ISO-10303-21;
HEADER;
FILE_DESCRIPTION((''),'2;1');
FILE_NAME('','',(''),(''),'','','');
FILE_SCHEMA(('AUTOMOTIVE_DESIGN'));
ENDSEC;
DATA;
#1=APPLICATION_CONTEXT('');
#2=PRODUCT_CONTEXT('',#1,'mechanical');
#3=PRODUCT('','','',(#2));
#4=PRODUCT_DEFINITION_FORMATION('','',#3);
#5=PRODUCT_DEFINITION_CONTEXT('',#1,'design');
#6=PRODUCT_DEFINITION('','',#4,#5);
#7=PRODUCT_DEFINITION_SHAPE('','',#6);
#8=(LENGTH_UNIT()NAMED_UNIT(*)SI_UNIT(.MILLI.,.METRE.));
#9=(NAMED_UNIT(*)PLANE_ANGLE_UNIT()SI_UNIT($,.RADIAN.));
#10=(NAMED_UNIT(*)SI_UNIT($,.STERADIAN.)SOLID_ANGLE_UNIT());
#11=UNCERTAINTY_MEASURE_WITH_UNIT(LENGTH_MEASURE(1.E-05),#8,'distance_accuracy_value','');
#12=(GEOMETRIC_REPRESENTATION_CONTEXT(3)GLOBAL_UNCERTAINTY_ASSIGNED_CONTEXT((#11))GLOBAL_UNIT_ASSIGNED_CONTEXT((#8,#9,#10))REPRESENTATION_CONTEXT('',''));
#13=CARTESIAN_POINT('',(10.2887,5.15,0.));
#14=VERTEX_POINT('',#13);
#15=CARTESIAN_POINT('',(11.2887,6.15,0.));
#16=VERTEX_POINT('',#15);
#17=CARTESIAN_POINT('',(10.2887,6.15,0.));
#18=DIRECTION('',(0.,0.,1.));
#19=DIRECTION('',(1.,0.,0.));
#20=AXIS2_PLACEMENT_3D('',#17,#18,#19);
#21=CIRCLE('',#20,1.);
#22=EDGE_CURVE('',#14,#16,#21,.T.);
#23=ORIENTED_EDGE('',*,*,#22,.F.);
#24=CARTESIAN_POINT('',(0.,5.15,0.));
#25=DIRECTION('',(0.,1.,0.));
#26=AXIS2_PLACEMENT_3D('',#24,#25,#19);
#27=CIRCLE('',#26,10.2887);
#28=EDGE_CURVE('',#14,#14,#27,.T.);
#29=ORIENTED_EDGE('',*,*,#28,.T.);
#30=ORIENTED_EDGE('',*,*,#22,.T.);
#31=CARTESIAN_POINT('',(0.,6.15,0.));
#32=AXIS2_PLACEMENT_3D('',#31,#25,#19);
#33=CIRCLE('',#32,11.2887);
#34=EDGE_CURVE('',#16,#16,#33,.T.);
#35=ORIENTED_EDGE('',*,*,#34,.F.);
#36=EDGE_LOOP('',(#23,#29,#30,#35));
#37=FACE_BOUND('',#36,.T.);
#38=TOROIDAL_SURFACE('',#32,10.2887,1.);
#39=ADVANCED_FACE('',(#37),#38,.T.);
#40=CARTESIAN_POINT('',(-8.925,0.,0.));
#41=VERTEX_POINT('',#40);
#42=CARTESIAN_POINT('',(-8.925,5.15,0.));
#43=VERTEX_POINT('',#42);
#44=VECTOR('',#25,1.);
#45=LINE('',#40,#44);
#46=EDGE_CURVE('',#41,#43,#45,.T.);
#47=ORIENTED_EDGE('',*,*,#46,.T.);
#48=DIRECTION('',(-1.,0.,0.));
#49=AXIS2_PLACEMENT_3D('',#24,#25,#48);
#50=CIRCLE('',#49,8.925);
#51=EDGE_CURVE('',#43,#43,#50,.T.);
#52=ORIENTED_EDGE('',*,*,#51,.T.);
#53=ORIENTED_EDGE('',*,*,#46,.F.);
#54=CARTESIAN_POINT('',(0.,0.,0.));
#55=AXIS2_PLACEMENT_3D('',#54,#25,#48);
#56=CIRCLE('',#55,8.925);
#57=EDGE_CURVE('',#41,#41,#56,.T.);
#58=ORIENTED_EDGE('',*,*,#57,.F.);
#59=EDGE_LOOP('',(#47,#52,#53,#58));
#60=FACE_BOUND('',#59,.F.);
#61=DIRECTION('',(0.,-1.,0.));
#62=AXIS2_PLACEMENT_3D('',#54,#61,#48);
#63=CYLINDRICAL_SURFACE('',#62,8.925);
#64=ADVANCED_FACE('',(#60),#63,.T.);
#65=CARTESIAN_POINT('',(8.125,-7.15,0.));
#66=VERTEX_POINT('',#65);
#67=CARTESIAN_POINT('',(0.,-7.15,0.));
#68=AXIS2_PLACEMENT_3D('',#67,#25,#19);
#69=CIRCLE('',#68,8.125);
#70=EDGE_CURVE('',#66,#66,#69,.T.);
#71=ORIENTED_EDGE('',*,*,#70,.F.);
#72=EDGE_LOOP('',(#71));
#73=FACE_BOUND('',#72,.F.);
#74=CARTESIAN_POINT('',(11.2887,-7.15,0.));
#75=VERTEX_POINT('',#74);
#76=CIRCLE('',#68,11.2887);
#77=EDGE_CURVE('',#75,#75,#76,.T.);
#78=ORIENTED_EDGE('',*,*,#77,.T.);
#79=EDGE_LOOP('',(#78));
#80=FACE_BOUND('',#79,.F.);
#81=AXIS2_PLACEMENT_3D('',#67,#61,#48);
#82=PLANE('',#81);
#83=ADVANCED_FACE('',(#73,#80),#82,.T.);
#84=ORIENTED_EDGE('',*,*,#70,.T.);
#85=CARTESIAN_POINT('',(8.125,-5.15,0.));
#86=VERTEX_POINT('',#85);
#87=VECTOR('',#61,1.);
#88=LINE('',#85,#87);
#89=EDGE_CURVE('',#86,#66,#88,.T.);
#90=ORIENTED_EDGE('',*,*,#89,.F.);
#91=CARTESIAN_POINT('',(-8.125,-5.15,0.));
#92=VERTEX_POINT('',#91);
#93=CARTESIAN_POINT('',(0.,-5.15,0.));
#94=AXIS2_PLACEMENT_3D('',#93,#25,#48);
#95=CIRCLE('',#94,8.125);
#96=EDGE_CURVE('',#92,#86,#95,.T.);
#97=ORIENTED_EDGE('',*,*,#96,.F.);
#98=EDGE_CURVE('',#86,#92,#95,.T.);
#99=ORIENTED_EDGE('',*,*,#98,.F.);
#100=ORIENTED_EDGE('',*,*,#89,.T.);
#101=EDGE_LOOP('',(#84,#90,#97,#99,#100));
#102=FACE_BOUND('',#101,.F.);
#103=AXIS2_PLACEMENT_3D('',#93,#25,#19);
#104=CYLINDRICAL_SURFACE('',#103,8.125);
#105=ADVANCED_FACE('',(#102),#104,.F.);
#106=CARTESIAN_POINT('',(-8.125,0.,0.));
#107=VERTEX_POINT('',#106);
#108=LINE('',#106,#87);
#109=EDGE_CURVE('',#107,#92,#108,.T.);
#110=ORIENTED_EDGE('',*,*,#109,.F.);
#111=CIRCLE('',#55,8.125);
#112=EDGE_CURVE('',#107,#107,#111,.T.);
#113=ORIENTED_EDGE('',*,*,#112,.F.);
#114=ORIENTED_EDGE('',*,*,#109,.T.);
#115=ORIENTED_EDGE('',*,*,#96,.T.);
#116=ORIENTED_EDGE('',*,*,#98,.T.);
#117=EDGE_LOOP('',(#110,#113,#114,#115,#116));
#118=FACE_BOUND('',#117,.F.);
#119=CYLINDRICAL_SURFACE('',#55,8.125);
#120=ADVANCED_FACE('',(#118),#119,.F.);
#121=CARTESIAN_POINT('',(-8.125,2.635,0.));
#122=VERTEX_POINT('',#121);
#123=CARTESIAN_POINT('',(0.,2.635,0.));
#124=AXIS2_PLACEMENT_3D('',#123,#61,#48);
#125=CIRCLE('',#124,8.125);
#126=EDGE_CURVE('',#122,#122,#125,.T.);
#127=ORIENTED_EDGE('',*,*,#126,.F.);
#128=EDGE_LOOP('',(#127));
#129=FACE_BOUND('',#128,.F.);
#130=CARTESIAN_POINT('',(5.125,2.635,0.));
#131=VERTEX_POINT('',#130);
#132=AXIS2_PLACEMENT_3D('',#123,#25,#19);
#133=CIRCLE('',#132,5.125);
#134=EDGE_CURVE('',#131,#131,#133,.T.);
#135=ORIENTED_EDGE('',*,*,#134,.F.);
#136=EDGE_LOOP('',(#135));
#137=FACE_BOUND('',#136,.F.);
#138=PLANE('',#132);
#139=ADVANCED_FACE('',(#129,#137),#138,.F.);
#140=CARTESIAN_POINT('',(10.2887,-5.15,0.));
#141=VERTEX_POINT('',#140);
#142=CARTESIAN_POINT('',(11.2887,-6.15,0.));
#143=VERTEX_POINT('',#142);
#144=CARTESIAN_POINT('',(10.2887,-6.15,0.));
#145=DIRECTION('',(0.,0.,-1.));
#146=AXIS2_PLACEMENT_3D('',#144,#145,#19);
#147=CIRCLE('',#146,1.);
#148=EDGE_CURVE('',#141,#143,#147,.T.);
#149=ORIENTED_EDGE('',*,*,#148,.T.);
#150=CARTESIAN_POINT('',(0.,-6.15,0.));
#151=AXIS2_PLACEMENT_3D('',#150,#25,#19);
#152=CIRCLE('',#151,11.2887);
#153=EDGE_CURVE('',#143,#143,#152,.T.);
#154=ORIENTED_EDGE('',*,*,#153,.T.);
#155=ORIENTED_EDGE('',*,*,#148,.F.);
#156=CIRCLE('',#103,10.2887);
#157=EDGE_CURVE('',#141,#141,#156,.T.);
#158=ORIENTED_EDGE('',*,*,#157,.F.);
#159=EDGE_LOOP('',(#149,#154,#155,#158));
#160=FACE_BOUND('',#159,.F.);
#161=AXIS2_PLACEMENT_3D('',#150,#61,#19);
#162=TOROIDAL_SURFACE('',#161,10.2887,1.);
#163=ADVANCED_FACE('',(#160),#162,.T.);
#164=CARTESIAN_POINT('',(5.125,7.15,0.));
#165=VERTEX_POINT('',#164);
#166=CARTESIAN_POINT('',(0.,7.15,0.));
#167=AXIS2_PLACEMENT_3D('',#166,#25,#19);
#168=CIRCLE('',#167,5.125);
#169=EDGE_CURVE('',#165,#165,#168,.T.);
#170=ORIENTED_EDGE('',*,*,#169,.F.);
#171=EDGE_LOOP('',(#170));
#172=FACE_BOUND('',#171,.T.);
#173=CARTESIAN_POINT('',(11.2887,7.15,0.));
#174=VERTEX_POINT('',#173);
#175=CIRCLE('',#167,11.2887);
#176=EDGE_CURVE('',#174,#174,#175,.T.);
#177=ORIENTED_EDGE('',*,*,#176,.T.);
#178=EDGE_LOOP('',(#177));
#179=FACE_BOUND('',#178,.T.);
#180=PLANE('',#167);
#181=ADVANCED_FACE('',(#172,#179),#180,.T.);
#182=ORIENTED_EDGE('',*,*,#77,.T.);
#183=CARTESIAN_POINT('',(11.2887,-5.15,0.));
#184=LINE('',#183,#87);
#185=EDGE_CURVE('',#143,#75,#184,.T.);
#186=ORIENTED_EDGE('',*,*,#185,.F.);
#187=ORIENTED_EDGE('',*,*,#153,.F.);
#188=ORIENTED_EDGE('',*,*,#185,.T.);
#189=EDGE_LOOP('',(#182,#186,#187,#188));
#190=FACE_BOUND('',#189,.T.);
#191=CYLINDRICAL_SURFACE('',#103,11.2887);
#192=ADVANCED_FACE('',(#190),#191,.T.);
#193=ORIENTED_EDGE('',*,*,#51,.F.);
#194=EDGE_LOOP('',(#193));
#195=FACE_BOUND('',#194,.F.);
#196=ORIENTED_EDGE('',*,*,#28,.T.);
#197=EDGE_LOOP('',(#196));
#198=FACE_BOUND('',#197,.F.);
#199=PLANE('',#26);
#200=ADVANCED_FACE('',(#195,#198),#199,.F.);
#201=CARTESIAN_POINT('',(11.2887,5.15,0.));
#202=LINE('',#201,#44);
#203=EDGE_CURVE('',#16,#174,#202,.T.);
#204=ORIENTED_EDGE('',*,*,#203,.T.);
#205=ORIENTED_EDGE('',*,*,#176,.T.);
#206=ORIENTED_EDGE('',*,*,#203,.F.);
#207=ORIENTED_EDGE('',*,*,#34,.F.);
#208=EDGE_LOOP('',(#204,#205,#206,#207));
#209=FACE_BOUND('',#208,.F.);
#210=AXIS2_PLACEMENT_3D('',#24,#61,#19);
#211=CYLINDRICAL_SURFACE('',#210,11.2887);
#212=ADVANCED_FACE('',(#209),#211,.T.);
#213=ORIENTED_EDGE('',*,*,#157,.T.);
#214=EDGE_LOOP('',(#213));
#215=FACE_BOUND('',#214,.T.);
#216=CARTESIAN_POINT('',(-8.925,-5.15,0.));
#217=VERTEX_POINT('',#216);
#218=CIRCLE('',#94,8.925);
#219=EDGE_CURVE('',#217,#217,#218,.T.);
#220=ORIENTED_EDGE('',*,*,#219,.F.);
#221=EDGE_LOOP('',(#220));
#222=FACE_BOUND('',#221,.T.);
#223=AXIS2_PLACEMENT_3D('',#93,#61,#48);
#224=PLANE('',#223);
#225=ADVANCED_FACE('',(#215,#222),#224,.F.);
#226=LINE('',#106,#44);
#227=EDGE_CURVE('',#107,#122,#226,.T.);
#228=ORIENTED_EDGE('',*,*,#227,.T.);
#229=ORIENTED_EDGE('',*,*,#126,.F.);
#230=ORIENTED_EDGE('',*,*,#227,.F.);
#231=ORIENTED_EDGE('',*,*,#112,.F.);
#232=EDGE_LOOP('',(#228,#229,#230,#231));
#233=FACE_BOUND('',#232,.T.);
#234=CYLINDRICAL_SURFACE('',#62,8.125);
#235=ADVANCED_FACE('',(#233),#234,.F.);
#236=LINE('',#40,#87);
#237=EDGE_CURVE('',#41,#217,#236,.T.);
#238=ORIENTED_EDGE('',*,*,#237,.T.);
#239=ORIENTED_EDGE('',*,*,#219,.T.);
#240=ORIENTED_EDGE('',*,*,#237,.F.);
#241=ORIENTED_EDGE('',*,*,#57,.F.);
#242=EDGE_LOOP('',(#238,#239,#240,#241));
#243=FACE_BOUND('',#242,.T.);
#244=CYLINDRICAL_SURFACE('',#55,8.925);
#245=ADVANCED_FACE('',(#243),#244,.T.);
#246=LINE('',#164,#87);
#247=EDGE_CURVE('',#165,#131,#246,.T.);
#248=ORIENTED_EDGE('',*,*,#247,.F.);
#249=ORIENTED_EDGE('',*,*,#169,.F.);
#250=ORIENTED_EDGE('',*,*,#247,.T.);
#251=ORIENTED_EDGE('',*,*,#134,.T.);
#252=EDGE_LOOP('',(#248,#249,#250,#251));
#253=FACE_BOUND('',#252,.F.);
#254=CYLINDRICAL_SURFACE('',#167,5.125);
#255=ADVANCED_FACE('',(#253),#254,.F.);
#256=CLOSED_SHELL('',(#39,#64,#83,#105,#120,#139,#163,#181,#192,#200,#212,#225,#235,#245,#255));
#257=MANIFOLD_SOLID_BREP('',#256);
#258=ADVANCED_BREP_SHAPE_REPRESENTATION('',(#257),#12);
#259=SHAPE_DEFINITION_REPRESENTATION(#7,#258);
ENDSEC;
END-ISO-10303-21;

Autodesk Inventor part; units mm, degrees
ref_plane "YZ Plane" through (0, 0, 0) normal (1, 0, 0) x (0, 1, 0)
ref_plane "XZ Plane" through (0, 0, 0) normal (0, 1, 0) x (-1, 0, 0)
ref_plane "XY Plane" through (0, 0, 0) normal (0, 0, 1) x (1, 0, 0)
sketch "Boceto1" plane through (0, 0, 0) normal (0, 1, 0) x (-1, 0, 0)
  circle A0 centre (0, 0) radius 8.125
  circle A1 centre (0, 0) radius 8.925
  dimension "d0" = 16.25
  dimension "d1" = 0.8
extrude "Extrusión1" add sketch "Boceto1" along normal mid plane 10.3
sketch "Boceto2" plane through (0, 5.15, 0) normal (0, 1, 0) x (1, 0, 0)
  circle A0 centre (0, 0) radius 11.2887
  circle A1 centre (0, 0) radius 8.925 projected
  circle A2 centre (0, 0) radius 8.125 projected
extrude "Extrusión2" add sketch "Boceto2" along normal blind 2 contours A0 | A1
fillet "Empalme1" radius 1 1 edges at (-11.2887, 5.15, 0)
mirror "Simetría1" about plane through (0, 0, 0) normal (0, 1, 0) of "Extrusión2", "Empalme1"
sketch "Boceto3" plane through (0, 7.15, 0) normal (0, 1, 0) x (1, 0, 0)
  circle A0 centre (0, 0) radius 8.125 projected
  circle A1 centre (0, 0) radius 5.125
  dimension "d7" = 10.25
extrude "Extrusión3" add sketch "Boceto3" against normal blind 4.515
properties part number "Roller"
